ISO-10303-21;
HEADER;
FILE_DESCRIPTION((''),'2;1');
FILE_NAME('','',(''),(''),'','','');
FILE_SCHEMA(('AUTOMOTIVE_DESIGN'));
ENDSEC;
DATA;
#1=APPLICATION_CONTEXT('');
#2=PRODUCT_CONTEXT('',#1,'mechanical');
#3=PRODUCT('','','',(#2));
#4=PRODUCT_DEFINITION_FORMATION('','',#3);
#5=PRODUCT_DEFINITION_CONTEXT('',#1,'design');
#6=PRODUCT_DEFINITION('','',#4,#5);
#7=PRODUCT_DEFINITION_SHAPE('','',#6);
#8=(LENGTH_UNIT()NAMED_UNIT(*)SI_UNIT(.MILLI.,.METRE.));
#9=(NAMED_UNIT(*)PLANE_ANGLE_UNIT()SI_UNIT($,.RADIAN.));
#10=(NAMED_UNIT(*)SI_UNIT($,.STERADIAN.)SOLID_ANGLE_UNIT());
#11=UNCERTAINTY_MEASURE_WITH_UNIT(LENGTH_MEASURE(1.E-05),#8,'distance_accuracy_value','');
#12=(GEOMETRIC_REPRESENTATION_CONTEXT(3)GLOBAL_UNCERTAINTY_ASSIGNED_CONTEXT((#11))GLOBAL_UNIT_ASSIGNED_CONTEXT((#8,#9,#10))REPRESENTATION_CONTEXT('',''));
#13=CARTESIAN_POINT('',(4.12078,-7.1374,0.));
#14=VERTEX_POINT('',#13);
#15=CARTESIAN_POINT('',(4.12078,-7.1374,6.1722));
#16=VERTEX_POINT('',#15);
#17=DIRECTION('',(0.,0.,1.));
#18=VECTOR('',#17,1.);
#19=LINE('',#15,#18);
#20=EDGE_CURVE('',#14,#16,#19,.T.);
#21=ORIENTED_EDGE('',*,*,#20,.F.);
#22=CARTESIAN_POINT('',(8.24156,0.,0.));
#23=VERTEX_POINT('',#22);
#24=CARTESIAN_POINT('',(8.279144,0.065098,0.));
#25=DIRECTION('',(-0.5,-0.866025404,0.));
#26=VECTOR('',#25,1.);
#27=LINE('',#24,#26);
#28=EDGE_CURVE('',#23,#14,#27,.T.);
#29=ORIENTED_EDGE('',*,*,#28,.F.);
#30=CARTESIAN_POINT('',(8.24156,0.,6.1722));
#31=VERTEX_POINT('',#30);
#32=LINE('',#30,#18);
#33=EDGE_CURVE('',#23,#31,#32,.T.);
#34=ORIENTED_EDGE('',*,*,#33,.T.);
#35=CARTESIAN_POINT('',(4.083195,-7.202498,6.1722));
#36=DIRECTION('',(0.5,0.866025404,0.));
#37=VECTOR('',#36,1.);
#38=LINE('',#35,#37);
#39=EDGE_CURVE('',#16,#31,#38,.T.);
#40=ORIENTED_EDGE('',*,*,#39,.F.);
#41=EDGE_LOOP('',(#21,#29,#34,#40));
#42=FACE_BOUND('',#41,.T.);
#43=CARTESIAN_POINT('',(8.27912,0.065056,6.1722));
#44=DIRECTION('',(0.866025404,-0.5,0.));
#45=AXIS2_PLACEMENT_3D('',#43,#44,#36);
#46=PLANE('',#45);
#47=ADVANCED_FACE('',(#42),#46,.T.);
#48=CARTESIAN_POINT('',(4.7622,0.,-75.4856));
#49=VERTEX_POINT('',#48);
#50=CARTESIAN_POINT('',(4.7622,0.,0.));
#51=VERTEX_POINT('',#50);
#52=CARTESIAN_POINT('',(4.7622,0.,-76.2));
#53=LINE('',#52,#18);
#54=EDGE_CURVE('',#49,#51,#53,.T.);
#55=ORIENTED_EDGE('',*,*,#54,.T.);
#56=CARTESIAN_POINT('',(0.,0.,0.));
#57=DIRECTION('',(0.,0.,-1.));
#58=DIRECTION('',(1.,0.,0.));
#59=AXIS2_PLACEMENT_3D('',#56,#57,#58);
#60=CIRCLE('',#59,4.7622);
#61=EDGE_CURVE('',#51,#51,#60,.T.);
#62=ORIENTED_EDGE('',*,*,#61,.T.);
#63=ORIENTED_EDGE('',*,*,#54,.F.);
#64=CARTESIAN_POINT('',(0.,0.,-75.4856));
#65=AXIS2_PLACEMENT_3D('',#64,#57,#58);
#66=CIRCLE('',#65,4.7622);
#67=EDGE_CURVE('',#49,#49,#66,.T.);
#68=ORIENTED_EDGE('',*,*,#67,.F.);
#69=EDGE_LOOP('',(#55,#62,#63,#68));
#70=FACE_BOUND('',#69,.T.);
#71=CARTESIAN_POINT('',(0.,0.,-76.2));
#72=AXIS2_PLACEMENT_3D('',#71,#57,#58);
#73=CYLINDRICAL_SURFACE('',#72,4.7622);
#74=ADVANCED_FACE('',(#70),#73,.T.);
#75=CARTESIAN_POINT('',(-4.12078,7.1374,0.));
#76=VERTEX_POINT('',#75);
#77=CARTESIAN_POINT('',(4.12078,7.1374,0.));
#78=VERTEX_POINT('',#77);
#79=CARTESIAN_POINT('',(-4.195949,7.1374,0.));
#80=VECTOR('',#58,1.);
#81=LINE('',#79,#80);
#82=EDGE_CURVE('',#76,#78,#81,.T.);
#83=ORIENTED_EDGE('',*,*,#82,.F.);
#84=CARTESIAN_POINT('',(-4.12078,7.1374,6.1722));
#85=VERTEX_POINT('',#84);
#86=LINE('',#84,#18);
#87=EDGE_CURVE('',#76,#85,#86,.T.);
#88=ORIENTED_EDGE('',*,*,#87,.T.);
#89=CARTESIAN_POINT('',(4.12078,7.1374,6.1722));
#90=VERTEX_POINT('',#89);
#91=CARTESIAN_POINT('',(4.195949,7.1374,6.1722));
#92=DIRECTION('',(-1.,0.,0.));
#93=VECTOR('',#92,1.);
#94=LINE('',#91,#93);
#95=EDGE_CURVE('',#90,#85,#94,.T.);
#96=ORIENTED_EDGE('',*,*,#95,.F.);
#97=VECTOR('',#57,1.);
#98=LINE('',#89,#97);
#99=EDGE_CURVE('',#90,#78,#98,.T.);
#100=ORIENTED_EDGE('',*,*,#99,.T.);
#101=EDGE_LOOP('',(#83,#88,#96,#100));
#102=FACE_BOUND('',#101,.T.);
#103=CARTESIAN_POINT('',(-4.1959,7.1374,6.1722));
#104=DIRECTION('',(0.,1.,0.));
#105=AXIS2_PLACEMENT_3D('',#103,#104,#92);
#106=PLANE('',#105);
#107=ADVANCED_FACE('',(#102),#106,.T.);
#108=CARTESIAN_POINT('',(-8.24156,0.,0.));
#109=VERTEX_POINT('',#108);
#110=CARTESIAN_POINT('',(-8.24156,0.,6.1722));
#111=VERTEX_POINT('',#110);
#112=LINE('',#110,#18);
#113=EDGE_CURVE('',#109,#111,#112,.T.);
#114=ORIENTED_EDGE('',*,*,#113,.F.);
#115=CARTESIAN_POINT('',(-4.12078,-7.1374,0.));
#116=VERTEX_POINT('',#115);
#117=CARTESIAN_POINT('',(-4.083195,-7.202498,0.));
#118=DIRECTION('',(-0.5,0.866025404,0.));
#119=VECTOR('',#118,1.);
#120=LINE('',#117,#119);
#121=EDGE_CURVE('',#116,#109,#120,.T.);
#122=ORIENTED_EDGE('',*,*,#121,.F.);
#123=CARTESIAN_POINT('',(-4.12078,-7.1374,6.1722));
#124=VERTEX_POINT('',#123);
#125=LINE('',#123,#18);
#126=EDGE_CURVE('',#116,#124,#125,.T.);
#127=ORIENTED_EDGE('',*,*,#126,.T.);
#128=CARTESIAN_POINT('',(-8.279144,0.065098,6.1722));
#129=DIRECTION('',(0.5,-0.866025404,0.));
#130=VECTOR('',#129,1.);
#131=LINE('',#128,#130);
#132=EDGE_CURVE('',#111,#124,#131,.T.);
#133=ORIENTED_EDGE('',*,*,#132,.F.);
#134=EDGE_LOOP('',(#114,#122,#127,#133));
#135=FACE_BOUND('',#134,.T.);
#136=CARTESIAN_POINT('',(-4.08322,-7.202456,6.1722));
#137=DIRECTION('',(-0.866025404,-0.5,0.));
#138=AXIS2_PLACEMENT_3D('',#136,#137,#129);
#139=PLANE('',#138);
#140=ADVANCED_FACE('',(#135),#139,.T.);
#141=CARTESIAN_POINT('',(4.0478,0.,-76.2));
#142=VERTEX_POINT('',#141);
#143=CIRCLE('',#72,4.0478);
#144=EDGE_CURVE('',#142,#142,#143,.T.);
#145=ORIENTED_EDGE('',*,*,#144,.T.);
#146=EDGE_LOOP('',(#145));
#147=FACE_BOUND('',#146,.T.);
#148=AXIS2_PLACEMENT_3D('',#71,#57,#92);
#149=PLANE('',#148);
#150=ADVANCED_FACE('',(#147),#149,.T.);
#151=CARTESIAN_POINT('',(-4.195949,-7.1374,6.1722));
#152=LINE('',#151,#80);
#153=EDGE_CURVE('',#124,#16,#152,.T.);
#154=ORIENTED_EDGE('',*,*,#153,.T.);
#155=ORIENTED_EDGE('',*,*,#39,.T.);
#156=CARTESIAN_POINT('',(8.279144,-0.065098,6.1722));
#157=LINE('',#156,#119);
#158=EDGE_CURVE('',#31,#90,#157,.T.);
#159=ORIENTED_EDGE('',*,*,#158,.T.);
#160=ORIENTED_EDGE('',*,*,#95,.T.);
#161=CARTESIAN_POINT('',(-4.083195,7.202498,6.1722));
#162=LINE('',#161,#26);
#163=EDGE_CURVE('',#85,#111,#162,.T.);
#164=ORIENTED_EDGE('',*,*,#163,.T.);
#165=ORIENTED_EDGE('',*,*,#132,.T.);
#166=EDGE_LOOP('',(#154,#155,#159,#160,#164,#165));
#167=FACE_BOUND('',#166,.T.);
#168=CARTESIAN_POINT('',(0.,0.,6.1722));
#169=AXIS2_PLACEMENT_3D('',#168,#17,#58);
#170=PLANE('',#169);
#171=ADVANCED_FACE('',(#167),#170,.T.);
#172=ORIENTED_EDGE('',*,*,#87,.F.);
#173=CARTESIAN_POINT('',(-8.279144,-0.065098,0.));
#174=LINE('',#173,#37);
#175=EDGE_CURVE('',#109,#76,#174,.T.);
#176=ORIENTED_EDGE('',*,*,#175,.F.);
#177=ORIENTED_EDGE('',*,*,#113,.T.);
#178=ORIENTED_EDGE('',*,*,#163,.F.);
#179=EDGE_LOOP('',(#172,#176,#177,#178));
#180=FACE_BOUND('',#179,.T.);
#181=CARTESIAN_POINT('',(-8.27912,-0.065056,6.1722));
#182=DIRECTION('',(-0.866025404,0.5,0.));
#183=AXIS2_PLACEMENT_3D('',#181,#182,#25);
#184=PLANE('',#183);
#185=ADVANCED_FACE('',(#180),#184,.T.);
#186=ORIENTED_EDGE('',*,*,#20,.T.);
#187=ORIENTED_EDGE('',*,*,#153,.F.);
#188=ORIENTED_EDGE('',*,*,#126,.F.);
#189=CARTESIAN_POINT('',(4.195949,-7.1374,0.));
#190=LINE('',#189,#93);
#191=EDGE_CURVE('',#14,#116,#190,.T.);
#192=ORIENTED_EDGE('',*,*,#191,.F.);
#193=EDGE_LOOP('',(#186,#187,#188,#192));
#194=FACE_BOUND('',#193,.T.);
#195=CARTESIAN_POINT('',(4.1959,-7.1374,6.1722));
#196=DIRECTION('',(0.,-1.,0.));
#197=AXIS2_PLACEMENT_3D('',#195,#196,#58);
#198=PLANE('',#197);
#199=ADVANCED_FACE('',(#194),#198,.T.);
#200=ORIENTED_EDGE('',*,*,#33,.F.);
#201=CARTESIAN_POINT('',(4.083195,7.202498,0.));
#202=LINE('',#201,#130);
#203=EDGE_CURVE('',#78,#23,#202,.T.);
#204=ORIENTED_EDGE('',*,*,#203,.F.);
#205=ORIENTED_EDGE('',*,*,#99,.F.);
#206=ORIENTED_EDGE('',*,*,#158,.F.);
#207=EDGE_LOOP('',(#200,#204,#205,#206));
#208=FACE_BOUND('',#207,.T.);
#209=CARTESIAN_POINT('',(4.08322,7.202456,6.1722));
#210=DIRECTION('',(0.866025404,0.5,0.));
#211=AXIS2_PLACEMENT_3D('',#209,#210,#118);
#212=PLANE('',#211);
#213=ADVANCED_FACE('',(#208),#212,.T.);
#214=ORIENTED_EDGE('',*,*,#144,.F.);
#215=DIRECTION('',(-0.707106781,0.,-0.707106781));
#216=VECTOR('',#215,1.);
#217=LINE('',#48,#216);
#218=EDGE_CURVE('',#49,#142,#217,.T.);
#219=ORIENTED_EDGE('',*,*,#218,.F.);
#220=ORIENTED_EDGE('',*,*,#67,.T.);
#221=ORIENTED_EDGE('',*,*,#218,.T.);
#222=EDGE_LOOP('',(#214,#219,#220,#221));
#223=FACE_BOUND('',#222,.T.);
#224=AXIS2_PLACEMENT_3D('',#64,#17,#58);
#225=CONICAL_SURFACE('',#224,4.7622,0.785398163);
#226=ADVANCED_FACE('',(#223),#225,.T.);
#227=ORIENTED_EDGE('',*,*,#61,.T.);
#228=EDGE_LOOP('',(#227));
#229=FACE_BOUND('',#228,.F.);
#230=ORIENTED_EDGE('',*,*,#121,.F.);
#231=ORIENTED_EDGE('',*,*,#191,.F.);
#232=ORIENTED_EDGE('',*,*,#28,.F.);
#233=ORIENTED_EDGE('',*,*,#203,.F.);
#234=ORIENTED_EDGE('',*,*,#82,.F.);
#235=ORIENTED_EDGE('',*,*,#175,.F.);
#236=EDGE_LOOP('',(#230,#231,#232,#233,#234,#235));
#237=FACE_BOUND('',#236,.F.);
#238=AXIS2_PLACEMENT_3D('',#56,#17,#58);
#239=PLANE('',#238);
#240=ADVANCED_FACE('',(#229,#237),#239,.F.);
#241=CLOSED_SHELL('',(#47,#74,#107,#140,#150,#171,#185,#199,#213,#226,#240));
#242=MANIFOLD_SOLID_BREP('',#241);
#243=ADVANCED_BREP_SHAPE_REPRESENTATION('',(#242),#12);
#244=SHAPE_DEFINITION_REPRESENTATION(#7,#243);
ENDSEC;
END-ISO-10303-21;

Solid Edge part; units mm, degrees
sketch "Sketch1" plane through (0, 0, 0) normal (0, 0, 1) x (1, 0, 0)
  circle A0 centre (0, 0) radius 8.2794
  dimension "D1" = 16.5588
extrude "Protrusion1" add sketch "Sketch1" along normal blind 6.1722
sketch "Sketch2" plane through (0, 0, 0) normal (0, 0, -1) x (1, 0, 0)
  circle A0 centre (0, 0) radius 4.7625
extrude "Protrusion2" add sketch "Sketch2" along normal blind 76.2
sketch "Sketch3" plane through (0, 0, -76.2) normal (0, 0, -1) x (1, 0, 0)
  circle A0 centre (0, 0) radius 4.7622
extrude "Cutout1" cut sketch "Sketch3" against normal blind 76.2 flip side to cut
chamfer "Chamfer_1" distance 0.7144 angle 45 1 edges at (-4.7622, 0, -76.2)
sketch "Sketch4" plane through (0, 0, 6.1722) normal (0, 0, 1) x (1, 0, 0)
  line L0 (-4.1959, 7.1374) -> (4.1959, 7.1374)
  dimension "D1" = 14.2748
extrude "Cutout2" cut sketch "Sketch4" against normal up to next material side at (0, 7.1874, 6.1722)
pattern_circular "Pattern1" count 6 over 360 about axis through (0, 0, 6.1722) along (0, 0, 1) of "Cutout2"
properties part number "148460"
